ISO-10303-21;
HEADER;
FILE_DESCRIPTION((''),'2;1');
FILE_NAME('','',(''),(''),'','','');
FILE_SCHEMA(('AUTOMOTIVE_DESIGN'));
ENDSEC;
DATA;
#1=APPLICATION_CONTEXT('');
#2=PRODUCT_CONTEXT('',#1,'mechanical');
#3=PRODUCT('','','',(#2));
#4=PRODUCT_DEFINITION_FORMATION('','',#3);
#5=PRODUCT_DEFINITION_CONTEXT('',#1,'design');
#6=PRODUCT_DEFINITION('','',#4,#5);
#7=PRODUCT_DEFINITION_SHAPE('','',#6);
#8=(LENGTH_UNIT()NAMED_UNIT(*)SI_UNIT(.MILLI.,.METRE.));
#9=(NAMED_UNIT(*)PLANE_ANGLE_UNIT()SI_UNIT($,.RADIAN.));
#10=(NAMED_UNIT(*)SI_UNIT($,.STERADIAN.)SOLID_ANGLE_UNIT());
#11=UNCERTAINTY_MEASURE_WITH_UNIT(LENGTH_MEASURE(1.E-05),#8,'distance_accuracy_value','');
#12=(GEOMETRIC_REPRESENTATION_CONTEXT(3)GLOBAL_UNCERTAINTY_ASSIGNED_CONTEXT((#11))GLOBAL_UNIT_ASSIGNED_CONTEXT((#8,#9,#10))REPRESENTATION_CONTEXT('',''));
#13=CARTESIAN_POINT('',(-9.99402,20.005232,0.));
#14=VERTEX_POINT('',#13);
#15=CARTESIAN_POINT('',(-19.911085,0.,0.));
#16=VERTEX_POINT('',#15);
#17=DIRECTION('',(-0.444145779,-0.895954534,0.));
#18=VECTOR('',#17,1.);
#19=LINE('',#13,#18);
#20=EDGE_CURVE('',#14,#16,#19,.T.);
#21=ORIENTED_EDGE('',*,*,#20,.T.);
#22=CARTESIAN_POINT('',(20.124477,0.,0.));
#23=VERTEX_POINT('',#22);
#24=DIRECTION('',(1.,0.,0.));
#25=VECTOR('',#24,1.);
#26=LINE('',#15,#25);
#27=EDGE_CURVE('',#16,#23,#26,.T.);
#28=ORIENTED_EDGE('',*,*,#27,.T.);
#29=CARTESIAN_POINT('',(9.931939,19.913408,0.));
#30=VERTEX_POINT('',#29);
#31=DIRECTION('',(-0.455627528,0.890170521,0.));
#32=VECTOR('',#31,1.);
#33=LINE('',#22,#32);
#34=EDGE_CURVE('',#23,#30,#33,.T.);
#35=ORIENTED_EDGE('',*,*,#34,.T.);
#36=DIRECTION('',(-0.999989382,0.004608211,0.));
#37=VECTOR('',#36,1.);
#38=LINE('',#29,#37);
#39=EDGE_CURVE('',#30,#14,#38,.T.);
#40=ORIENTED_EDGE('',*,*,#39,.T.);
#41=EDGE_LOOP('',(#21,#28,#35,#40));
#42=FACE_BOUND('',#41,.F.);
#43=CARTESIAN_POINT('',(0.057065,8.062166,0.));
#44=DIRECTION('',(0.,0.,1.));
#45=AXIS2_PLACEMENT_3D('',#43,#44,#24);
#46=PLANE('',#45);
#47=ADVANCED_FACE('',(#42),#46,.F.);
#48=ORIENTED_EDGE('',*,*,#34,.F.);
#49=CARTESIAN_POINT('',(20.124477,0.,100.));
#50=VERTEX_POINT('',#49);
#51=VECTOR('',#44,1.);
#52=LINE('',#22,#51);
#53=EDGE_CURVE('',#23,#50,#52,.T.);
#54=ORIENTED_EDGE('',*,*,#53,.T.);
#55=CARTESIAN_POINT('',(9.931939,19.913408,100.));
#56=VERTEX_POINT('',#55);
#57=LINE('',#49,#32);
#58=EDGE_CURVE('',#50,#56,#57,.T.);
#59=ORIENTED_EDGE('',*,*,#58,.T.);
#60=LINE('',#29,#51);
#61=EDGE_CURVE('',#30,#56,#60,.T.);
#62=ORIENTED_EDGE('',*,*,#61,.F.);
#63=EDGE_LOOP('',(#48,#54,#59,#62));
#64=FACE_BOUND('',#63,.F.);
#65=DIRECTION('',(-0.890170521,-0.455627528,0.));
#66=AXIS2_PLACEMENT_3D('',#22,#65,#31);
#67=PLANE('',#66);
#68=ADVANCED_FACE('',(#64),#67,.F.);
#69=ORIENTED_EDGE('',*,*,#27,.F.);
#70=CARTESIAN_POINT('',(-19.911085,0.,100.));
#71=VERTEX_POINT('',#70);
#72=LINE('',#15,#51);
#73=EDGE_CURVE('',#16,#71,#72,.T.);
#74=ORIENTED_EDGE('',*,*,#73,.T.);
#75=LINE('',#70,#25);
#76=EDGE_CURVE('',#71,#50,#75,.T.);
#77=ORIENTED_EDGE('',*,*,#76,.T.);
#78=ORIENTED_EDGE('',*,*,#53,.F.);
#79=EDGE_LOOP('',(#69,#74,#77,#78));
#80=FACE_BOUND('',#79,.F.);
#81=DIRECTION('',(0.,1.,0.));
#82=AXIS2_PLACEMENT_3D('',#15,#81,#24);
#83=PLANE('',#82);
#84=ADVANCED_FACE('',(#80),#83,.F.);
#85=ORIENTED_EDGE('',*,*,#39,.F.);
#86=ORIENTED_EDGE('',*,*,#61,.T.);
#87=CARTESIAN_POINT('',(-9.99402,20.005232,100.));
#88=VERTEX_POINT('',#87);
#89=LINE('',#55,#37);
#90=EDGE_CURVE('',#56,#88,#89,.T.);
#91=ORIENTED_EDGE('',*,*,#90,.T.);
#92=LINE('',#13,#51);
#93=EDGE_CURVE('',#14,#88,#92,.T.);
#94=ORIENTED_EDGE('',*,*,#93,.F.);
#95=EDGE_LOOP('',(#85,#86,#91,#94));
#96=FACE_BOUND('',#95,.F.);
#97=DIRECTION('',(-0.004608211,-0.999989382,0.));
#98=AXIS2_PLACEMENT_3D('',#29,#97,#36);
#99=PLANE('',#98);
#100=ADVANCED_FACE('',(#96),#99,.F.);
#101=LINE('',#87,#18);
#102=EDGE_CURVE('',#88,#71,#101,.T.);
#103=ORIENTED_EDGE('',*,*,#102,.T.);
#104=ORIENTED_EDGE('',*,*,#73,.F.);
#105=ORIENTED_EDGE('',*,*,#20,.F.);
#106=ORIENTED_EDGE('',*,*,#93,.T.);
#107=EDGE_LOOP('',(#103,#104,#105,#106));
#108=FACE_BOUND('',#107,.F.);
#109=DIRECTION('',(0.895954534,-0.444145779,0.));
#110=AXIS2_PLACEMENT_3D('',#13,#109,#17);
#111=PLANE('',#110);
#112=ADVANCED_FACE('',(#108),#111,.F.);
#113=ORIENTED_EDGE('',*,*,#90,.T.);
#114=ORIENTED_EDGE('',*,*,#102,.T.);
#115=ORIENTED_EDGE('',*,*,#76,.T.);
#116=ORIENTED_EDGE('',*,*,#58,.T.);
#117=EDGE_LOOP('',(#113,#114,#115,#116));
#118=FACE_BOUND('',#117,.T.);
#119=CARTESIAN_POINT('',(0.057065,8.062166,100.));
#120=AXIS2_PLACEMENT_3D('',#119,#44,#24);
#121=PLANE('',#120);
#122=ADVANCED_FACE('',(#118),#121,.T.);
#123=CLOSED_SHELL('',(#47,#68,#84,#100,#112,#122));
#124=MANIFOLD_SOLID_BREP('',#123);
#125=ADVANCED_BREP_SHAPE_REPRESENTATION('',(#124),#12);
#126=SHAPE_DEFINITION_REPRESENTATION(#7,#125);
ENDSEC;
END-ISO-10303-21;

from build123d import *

# Parameters (mm, degrees)
PAD_DEPTH = 100


with BuildPart() as part:
    # Sketch → Pad (new body)
    with BuildSketch(Plane.XY):
        Polygon((-19.911085, 0), (20.124477, 0), (9.931939, 19.913408), (-9.99402, 20.005232), align=None)
    extrude(amount=PAD_DEPTH)


solid = part.part
